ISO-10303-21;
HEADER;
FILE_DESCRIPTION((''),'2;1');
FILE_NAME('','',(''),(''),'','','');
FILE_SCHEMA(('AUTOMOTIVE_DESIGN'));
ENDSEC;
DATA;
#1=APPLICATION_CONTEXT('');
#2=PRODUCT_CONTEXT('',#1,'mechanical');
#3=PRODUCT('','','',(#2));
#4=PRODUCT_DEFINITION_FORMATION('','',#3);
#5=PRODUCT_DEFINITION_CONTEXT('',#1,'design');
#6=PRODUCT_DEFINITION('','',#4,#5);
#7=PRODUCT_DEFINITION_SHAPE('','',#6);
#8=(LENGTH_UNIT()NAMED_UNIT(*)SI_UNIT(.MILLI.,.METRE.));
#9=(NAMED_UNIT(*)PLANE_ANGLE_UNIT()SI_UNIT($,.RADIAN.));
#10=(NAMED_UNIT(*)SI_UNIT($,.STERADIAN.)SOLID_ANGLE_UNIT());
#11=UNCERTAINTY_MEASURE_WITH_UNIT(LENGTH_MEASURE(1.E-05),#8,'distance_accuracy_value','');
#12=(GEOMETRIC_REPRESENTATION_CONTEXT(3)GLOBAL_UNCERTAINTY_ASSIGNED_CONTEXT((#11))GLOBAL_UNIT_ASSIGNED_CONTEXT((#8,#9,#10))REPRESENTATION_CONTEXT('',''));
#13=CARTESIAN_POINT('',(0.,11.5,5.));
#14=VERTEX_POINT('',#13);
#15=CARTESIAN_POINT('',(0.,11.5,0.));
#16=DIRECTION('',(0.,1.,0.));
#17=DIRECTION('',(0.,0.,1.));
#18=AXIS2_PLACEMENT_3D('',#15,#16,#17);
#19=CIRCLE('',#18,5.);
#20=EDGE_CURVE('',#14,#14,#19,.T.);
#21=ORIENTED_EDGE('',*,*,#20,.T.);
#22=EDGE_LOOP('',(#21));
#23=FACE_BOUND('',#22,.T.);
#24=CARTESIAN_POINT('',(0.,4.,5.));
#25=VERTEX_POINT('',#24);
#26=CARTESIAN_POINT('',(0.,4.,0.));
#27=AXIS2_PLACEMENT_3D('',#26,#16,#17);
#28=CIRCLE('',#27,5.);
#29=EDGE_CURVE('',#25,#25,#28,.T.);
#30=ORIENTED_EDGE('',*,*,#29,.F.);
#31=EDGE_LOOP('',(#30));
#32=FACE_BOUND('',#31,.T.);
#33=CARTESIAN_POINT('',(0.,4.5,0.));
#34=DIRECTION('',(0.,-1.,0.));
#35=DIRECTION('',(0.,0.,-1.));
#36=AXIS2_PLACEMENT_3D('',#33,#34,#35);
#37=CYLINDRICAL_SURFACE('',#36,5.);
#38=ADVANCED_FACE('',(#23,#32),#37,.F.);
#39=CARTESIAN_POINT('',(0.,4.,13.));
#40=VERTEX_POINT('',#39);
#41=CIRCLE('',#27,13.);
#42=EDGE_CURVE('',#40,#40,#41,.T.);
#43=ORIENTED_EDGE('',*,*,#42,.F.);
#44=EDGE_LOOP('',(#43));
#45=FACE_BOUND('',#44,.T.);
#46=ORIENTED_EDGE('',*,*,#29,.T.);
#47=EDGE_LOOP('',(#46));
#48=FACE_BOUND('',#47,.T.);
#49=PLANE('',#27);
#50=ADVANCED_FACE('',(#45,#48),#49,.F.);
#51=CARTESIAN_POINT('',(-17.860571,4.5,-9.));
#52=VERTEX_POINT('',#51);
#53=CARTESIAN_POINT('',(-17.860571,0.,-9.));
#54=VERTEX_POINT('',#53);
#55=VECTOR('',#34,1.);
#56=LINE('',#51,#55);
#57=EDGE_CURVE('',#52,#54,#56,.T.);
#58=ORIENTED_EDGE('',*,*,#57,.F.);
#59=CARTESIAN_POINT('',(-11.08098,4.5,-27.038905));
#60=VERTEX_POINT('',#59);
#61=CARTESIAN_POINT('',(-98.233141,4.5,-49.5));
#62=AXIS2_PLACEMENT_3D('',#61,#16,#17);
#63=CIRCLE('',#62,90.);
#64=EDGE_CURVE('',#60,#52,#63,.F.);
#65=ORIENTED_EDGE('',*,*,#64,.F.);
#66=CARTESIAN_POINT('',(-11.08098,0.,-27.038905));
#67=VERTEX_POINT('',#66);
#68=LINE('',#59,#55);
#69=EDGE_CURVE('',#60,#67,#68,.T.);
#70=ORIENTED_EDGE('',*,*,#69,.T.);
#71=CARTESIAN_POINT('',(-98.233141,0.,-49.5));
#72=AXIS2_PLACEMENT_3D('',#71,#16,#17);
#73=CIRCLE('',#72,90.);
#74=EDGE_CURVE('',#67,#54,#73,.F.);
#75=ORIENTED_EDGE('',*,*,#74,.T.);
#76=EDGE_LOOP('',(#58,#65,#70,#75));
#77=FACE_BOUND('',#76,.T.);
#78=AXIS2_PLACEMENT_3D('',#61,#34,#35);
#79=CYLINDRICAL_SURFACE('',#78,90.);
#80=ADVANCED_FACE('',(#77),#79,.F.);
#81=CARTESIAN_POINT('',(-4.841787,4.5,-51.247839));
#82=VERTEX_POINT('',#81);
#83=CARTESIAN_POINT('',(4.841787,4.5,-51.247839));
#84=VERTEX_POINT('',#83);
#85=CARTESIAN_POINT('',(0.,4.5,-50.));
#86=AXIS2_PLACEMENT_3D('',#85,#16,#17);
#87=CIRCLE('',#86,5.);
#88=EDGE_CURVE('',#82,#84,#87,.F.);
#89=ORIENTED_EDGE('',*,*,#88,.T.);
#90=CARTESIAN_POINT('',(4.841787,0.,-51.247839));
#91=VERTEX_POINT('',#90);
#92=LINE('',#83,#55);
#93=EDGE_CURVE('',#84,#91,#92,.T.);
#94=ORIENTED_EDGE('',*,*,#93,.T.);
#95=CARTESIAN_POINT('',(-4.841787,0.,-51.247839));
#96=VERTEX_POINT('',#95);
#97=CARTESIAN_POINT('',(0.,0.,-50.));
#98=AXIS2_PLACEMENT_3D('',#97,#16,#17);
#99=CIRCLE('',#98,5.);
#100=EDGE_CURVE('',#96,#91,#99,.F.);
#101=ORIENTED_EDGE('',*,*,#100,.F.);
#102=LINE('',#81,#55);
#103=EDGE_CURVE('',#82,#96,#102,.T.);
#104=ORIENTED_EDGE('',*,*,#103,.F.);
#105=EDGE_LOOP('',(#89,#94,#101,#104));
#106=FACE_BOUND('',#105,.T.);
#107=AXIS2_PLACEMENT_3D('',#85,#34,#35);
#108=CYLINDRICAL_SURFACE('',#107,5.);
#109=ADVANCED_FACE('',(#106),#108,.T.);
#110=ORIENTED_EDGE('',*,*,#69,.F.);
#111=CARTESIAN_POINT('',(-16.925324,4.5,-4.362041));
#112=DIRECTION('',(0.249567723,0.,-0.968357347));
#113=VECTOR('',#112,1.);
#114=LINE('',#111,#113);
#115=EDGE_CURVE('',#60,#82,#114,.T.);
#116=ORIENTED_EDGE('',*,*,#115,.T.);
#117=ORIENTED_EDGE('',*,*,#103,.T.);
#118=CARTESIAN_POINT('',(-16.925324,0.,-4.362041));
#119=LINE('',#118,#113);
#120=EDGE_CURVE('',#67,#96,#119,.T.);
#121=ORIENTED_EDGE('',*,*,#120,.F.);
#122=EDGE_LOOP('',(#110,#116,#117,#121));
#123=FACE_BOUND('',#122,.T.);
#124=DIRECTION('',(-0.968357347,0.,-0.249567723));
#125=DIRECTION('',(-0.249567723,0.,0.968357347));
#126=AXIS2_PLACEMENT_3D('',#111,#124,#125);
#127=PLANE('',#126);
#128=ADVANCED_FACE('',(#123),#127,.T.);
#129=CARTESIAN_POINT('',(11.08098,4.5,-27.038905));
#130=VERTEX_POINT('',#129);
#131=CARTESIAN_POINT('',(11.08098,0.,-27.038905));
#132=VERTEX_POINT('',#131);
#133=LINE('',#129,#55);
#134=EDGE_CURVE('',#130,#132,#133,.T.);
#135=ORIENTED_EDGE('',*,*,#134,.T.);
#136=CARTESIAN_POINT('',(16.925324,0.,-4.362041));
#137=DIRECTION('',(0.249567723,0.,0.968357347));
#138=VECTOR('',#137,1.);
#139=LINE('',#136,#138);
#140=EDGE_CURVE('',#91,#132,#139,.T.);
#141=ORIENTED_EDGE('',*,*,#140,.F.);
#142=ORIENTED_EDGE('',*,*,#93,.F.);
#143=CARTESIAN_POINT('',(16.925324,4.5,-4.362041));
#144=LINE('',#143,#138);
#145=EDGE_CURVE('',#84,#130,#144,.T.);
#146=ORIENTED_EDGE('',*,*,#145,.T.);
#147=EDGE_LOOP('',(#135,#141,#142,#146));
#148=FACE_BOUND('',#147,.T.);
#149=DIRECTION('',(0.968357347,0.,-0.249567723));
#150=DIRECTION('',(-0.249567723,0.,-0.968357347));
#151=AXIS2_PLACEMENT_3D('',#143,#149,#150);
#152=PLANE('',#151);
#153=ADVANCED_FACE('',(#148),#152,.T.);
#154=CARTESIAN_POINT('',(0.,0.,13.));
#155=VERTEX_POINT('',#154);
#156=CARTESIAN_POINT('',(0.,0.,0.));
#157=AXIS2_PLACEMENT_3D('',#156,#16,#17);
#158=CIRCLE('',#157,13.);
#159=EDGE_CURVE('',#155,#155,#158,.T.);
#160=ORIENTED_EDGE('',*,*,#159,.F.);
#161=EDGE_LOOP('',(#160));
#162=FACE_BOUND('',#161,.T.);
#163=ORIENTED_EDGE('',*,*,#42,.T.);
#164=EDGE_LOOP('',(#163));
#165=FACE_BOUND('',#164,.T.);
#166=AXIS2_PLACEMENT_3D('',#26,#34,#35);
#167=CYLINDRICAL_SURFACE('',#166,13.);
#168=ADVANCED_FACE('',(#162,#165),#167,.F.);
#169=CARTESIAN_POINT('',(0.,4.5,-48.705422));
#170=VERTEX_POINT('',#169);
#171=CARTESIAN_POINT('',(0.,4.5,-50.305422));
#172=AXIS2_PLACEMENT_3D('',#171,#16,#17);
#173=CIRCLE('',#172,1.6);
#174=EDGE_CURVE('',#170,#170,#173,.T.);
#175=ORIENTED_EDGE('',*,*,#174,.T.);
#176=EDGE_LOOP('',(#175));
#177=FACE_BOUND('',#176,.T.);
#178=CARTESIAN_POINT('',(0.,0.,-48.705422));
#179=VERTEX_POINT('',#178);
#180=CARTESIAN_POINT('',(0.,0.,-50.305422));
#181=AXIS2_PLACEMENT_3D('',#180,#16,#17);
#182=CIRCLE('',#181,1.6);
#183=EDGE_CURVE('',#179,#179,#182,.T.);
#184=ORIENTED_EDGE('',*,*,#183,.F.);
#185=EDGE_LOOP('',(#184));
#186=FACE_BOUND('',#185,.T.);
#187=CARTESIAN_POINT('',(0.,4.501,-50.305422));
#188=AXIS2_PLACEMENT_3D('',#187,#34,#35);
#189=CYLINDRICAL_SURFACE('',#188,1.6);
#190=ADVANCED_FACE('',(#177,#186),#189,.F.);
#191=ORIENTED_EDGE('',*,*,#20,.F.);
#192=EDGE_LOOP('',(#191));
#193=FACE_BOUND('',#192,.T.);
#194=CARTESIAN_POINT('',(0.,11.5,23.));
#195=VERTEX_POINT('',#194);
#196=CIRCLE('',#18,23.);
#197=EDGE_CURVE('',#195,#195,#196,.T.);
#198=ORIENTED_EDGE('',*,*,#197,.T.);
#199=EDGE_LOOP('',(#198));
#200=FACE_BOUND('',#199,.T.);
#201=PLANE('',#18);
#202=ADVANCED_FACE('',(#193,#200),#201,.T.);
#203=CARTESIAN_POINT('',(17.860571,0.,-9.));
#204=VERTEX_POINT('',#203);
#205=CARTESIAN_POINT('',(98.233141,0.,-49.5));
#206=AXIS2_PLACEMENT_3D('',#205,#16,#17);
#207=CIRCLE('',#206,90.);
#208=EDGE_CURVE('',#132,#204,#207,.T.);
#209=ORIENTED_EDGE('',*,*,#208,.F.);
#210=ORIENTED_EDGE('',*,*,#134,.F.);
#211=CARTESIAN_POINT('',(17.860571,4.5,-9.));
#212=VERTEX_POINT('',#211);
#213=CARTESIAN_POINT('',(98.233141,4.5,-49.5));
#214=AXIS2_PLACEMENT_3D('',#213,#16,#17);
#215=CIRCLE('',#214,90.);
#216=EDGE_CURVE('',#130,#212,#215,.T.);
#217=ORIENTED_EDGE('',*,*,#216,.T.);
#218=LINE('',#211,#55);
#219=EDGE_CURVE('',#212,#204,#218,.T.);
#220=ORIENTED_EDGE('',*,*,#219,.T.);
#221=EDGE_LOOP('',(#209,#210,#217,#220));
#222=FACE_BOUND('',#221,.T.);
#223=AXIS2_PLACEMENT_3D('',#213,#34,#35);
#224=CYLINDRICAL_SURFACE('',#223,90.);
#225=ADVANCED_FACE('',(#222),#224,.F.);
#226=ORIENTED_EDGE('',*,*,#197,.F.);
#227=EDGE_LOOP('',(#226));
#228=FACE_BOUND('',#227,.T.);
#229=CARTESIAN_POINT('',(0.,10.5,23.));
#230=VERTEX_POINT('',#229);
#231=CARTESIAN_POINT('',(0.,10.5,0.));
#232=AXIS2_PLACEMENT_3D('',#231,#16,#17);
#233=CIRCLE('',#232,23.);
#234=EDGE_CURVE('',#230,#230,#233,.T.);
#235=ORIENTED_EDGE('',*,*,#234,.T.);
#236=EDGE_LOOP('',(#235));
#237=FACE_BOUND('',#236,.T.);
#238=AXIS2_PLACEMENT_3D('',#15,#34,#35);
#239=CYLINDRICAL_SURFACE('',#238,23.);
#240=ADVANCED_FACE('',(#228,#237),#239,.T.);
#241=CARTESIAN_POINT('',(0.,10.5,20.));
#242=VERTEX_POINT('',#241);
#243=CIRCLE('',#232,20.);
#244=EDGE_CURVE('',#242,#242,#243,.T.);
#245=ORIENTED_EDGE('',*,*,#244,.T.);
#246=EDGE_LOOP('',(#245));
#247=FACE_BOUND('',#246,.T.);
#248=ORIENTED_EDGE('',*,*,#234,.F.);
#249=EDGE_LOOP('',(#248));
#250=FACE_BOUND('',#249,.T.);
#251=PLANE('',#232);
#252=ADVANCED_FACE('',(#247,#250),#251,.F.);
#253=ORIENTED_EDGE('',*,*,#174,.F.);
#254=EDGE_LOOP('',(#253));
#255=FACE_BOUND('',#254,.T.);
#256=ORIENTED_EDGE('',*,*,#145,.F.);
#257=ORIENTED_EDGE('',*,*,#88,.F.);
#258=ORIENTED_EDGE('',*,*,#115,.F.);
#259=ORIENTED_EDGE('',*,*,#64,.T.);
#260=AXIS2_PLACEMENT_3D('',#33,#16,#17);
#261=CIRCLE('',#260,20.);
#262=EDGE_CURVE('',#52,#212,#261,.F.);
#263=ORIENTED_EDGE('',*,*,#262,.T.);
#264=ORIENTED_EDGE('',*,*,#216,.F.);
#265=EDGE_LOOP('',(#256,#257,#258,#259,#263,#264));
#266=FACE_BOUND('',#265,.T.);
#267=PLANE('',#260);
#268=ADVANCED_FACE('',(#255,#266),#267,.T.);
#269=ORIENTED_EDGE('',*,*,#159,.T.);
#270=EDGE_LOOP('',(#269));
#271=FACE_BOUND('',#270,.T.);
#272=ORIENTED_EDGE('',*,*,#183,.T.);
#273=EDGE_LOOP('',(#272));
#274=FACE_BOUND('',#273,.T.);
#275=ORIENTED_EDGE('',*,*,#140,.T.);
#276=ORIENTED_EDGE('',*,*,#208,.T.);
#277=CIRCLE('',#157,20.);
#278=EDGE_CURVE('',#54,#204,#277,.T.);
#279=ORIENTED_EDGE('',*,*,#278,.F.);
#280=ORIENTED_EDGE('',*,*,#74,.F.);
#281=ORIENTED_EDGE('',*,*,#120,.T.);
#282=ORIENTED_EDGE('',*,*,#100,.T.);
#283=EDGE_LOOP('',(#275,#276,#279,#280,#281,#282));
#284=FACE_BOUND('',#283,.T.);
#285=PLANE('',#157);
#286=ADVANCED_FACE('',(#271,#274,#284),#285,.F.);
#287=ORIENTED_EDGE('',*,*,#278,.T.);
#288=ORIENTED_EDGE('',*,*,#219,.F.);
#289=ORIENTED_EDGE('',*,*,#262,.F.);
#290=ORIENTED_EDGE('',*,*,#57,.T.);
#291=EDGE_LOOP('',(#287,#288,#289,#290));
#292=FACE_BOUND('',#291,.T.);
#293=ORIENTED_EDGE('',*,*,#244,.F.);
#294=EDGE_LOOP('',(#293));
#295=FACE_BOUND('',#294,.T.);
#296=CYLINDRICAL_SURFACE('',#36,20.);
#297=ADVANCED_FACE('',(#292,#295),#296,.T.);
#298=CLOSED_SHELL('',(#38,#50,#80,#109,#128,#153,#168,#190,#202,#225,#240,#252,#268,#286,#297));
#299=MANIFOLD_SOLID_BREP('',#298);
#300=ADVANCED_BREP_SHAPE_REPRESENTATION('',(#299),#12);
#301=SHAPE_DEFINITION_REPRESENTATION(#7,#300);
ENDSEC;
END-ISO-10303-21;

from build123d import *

# Parameters (mm, degrees)
SKETCH1_R           = 5
BOSS_EXTRUDE1_DEPTH = 4.5
CUT_EXTRUDE2_REACH  = 60.696
SKETCH3_R           = 1.6
SKETCH1_4_R         = 20
SKETCH1_4_R_2       = 5
BOSS_EXTRUDE2_DEPTH = 10.5
BOSS_EXTRUDE3_START = 10.5
SKETCH4_R           = 23
SKETCH4_R_2         = 5
BOSS_EXTRUDE3_DEPTH = 1
SKETCH2_R           = 13
CUT_EXTRUDE1_DEPTH  = 4


with BuildPart() as part:
    # Sketch1 → Boss-Extrude1 (new body)
    with BuildSketch(Plane(origin=(0, 0, 0), x_dir=(1, 0, 0), z_dir=(0, 1, 0))):
        with BuildLine():
            Line((-4.841786735, 51.247838615), (-11.080979808, 27.038904937))
            ThreePointArc((-11.080979808, 27.038904937), (-13.986571903, 17.837473452), (-17.860571099, 9))
            ThreePointArc((-17.860571099, 9), (0, -20), (17.860571099, 9))
            ThreePointArc((17.860571099, 9), (13.986571903, 17.837473452), (11.080979808, 27.038904937))
            Line((11.080979808, 27.038904937), (4.841786735, 51.247838615))
            ThreePointArc((4.841786735, 51.247838615), (0, 55), (-4.841786735, 51.247838615))
        make_face()
        with Locations(Location((0, 0, 0), (0, 0, 270))):
            Circle(SKETCH1_R, mode=Mode.SUBTRACT)
    extrude(amount=BOSS_EXTRUDE1_DEPTH)

    # Sketch3 → Cut-Extrude2 (cut, up to next)
    with BuildSketch(Plane(origin=(0, 0, 0), x_dir=(1, 0, 0), z_dir=(0, 1, 0)), mode=Mode.PRIVATE) as cut_extrude2_sk1:
        with Locations(Location((0, 50.305422276, 0), (0, 0, 270))):
            Circle(SKETCH3_R)
    cut_extrude2_tool1 = extrude(cut_extrude2_sk1.sketch, amount=CUT_EXTRUDE2_REACH, mode=Mode.PRIVATE) & part.part
    add(cut_extrude2_tool1.solids().sort_by_distance((0, 0, -50.305422))[0], mode=Mode.SUBTRACT)

    # Sketch1<4> → Boss-Extrude2 (add)
    with BuildSketch(Plane(origin=(0, 0, 0), x_dir=(1, 0, 0), z_dir=(0, 1, 0))):
        with Locations(Location((0, 0, 0), (0, 0, 26.74368395))):
            Circle(SKETCH1_4_R)
        with Locations(Location((0, 0, 0), (0, 0, 270))):
            Circle(SKETCH1_4_R_2, mode=Mode.SUBTRACT)
    extrude(amount=BOSS_EXTRUDE2_DEPTH)

    # Sketch4 → Boss-Extrude3 (add)
    with BuildSketch(Plane(origin=(0, 0, 0), x_dir=(1, 0, 0), z_dir=(0, 1, 0)).offset(BOSS_EXTRUDE3_START)):
        with Locations(Location((0, 0, 0), (0, 0, 270))):
            Circle(SKETCH4_R)
        with Locations(Location((0, 0, 0), (0, 0, 270))):
            Circle(SKETCH4_R_2, mode=Mode.SUBTRACT)
    extrude(amount=BOSS_EXTRUDE3_DEPTH)

    # Sketch2 → Cut-Extrude1 (cut)
    with BuildSketch(Plane(origin=(0, 0, 0), x_dir=(1, 0, 0), z_dir=(0, 1, 0))):
        with Locations(Location((0, 0, 0), (0, 0, 270))):
            Circle(SKETCH2_R)
    extrude(amount=CUT_EXTRUDE1_DEPTH, mode=Mode.SUBTRACT)


solid = part.part
